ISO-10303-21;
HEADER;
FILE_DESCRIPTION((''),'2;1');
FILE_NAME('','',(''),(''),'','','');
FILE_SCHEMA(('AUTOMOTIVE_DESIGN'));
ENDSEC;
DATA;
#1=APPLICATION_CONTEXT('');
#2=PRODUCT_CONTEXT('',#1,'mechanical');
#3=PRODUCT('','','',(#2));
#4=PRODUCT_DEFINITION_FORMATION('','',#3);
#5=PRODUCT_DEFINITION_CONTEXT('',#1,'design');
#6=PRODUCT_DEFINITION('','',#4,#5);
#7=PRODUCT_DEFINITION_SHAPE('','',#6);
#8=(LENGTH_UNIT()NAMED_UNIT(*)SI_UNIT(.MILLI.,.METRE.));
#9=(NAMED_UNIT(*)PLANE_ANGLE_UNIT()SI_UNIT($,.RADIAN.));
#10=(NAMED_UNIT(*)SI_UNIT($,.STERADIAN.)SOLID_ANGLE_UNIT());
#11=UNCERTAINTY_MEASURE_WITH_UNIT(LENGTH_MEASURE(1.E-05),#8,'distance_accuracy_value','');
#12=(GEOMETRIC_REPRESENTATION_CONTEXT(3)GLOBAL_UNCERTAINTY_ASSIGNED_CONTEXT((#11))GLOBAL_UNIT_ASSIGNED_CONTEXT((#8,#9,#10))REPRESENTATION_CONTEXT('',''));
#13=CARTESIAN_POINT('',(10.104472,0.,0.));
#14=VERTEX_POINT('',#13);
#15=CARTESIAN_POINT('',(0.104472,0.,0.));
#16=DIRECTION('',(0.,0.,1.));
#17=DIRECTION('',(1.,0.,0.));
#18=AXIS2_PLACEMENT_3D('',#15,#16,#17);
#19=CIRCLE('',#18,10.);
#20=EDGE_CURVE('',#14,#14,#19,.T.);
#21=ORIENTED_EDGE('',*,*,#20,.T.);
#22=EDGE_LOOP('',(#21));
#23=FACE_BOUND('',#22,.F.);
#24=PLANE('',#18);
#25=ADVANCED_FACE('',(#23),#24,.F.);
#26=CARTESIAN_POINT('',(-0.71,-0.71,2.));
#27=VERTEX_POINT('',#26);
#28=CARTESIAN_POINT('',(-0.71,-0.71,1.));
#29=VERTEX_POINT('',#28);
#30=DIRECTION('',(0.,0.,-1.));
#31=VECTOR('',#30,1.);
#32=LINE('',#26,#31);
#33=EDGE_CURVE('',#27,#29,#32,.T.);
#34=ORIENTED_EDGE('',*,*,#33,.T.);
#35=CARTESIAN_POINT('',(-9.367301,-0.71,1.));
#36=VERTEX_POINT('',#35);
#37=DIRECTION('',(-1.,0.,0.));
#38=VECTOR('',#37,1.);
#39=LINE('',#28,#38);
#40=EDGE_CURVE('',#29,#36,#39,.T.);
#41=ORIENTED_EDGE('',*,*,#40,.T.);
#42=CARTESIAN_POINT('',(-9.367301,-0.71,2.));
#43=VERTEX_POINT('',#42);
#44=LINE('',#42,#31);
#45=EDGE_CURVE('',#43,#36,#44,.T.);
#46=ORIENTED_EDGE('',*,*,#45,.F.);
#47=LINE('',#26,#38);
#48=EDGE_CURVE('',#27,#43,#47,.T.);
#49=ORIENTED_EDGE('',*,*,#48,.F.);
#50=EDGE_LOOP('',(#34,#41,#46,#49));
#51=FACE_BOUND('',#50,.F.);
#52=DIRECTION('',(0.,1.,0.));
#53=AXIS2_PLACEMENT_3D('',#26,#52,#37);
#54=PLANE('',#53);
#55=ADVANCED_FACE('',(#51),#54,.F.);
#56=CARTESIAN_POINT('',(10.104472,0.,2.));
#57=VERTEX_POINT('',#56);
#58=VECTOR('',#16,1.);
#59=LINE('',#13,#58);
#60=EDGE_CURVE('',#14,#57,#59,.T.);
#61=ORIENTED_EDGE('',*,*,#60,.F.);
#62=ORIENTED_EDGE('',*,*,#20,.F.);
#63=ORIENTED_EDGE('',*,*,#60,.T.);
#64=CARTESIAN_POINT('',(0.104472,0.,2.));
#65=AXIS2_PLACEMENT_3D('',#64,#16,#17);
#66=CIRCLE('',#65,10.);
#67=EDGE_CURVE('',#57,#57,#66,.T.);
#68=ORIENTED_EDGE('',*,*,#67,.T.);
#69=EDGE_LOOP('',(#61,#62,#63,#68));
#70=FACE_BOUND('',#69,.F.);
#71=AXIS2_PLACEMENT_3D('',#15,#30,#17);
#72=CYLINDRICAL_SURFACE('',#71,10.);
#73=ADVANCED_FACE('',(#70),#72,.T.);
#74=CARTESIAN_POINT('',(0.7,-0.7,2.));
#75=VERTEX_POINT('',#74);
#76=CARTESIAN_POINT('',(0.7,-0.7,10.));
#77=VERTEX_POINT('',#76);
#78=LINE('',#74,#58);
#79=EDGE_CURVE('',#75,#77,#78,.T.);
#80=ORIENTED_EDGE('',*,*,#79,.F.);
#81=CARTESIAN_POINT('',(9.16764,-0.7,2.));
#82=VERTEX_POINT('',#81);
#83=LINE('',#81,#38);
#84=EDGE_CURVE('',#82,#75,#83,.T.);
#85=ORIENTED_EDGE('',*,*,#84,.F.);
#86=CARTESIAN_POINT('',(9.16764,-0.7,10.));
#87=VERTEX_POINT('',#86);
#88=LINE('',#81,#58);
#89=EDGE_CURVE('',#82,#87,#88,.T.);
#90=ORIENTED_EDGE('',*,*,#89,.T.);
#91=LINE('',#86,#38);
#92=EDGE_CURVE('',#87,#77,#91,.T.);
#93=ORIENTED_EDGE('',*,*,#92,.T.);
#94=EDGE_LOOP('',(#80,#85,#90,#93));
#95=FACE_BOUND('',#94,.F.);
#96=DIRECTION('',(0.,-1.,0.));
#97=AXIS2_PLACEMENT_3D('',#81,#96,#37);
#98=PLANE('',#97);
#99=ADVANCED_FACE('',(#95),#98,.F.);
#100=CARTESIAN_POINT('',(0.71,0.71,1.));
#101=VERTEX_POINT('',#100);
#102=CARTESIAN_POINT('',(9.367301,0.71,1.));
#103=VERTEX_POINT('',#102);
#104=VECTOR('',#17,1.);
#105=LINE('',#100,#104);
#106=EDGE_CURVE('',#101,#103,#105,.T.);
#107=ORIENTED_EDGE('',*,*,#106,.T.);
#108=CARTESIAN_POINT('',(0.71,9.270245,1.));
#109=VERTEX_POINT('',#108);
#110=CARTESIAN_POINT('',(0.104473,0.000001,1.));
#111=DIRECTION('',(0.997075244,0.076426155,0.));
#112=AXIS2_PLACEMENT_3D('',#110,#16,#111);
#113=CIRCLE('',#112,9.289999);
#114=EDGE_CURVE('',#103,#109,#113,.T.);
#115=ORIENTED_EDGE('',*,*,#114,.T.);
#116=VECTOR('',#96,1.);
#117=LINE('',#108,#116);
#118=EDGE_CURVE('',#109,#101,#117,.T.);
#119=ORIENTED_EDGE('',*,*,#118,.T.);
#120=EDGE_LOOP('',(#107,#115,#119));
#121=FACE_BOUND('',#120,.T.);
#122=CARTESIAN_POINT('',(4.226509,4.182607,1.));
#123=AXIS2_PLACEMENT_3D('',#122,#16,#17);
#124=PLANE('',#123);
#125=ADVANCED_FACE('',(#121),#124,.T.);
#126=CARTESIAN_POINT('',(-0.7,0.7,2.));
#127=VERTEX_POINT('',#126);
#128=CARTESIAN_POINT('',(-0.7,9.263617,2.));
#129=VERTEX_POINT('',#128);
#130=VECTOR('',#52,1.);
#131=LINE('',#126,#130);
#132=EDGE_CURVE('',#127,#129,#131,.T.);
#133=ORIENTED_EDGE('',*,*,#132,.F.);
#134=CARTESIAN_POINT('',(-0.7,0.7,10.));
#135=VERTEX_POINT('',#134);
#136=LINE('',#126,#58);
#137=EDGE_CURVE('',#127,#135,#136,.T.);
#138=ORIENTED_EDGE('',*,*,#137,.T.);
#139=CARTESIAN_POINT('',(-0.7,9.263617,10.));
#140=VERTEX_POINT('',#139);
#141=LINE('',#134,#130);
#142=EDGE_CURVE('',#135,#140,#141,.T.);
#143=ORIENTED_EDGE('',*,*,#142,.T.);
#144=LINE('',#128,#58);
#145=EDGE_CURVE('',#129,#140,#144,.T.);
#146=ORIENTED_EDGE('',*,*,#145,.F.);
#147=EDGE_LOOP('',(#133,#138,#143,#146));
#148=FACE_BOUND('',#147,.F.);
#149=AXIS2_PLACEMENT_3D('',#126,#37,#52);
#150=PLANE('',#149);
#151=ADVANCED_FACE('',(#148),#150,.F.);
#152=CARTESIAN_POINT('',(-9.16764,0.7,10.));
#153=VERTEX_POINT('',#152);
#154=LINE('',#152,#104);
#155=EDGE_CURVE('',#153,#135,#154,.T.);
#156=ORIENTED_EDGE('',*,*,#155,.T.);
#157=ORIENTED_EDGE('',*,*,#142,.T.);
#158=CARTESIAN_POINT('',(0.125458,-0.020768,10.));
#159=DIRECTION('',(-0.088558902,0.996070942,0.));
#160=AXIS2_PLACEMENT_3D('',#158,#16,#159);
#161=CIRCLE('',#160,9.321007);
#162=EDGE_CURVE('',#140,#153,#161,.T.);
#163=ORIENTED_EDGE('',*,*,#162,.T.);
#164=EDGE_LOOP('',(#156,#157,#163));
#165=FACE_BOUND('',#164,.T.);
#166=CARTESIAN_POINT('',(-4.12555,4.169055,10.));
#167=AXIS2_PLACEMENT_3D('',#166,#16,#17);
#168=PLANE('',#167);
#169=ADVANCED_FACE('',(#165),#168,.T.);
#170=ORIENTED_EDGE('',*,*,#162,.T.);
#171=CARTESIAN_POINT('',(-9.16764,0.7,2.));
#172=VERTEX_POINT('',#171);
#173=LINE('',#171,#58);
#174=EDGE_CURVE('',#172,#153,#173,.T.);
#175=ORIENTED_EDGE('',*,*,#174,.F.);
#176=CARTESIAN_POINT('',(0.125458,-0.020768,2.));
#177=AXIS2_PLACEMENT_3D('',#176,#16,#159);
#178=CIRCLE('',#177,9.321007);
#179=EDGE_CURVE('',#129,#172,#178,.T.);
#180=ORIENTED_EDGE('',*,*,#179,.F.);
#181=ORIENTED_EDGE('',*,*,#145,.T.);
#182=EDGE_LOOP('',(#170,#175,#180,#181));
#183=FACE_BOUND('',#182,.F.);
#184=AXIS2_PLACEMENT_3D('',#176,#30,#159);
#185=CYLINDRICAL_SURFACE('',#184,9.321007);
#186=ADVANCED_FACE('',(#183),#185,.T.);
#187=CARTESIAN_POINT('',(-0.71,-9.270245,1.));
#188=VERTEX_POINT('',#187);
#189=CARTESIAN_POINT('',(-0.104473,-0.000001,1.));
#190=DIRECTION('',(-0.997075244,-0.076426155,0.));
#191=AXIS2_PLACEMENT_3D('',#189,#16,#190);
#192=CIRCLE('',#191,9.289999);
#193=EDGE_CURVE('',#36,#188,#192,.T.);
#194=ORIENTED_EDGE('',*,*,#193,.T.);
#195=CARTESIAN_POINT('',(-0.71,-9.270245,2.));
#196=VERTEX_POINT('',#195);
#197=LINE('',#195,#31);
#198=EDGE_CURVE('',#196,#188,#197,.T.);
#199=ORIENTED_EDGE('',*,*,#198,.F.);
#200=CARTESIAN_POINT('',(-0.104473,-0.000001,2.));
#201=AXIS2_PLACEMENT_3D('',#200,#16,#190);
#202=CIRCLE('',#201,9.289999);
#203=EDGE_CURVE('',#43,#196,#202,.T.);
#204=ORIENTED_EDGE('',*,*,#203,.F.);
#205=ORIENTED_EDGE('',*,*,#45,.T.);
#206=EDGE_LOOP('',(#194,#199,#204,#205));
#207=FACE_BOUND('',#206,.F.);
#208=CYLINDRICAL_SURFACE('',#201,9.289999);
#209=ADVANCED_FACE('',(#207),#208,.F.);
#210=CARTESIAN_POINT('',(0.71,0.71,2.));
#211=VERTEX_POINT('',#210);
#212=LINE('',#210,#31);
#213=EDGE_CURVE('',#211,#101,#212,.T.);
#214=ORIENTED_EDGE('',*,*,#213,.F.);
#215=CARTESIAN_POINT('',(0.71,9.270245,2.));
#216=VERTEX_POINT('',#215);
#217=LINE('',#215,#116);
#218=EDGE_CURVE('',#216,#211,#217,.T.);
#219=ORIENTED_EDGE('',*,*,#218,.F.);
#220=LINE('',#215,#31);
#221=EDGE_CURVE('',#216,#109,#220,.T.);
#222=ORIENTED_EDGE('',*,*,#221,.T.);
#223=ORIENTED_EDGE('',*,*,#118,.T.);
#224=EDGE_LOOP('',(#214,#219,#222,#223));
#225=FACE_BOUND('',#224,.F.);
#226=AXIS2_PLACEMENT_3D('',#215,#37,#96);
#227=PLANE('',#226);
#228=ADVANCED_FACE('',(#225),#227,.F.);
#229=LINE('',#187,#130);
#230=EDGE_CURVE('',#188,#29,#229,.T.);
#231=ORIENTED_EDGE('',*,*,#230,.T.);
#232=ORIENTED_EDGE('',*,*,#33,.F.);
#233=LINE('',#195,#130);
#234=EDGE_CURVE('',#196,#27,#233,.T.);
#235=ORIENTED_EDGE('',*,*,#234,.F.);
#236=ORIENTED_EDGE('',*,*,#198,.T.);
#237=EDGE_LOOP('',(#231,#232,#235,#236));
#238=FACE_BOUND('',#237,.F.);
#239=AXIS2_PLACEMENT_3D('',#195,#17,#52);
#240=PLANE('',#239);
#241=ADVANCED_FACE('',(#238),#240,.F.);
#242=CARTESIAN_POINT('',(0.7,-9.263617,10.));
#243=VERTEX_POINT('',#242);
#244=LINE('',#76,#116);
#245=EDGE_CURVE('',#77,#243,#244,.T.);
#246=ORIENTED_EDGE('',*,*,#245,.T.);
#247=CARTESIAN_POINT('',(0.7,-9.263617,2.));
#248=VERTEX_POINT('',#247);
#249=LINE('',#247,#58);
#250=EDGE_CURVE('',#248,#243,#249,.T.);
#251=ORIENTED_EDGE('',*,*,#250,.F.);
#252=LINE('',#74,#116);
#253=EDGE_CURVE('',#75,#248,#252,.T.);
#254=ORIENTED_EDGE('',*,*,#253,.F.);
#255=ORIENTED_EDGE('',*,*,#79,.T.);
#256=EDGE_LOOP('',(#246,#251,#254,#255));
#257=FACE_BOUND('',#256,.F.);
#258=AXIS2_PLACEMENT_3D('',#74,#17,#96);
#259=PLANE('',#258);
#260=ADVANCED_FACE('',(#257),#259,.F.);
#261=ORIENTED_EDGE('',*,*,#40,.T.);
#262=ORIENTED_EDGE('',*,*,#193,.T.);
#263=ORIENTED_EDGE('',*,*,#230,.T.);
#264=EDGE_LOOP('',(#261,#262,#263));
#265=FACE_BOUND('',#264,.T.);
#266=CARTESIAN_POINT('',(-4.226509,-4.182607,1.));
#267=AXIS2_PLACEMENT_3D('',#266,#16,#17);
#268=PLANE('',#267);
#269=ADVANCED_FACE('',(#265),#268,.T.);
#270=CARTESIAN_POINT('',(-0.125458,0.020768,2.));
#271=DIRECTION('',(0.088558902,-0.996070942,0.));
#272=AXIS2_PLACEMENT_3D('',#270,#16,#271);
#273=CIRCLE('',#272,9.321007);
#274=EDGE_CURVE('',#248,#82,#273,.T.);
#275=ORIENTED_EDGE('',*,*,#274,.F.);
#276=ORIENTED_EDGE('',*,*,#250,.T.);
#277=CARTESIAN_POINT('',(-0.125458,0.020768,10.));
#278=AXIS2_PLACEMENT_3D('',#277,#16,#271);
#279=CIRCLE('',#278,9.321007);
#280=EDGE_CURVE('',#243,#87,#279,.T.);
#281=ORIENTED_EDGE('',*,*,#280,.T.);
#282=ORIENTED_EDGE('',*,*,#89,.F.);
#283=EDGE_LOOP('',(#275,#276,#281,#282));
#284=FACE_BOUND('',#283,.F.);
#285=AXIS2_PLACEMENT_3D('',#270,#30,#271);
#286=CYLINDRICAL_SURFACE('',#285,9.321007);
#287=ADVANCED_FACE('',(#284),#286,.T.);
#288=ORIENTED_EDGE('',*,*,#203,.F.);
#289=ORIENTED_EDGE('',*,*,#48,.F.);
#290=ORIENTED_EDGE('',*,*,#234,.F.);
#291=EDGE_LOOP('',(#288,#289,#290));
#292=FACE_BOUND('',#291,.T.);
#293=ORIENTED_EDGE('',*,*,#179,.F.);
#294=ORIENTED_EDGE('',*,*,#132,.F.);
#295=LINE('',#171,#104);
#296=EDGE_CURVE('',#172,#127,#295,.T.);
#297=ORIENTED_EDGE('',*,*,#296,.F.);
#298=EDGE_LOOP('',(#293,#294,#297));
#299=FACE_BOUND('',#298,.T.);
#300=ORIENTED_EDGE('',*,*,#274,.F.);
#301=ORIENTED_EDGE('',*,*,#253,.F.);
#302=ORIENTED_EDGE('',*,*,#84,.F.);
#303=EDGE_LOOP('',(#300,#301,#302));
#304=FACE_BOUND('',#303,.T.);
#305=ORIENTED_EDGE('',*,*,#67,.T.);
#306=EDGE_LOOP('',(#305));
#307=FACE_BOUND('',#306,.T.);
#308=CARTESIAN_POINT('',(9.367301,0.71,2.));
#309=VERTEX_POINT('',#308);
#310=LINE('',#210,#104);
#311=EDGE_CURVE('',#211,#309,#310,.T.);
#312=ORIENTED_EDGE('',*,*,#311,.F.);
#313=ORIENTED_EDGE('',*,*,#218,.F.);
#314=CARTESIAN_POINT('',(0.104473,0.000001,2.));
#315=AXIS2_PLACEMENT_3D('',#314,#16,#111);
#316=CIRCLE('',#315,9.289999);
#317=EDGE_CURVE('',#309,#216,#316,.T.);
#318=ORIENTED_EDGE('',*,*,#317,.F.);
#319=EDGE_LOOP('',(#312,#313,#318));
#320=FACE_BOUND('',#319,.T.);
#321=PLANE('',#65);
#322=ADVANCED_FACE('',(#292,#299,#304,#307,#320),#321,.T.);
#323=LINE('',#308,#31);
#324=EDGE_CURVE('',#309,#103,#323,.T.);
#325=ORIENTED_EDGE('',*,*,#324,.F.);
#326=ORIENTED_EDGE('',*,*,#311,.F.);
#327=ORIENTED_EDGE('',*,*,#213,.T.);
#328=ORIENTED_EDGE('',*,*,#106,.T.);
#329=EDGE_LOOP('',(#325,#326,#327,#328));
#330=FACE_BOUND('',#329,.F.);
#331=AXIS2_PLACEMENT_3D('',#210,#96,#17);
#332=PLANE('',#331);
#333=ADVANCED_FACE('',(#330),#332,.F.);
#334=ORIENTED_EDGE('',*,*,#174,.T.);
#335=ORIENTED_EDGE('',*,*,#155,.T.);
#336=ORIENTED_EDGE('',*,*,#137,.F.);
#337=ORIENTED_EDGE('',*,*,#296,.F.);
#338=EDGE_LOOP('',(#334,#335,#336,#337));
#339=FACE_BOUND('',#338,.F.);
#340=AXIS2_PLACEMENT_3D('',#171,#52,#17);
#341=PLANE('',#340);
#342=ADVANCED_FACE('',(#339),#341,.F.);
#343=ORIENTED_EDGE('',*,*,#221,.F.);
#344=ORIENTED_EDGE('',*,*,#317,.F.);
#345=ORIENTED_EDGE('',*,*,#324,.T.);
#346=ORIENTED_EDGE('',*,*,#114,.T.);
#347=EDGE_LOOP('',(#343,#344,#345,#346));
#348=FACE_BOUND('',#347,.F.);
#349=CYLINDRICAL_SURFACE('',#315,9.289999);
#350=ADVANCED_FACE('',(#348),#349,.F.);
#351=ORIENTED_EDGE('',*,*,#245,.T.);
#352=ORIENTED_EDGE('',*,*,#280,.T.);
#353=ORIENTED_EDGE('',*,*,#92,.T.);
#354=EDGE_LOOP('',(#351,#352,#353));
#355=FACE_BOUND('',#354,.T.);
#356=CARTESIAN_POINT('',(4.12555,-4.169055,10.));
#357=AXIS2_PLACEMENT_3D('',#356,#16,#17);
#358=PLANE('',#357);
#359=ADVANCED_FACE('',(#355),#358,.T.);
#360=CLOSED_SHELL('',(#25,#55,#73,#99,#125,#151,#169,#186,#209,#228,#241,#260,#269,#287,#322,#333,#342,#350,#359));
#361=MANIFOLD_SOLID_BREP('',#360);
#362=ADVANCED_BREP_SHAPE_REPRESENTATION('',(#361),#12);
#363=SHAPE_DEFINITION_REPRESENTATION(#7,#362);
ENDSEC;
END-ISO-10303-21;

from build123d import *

# Parameters (mm, degrees)
F0_R     = 10
F1_DEPTH = 2
F3_DEPTH = 8
F4_DEPTH = 1


with BuildPart() as f1:
    # F0 (on Top) → F1 (new body)
    with BuildSketch(Plane.XY):
        with Locations((0.104472, 0)):
            Circle(F0_R)
    extrude(amount=F1_DEPTH)

    # F2 (on face) → F3 (join)
    with BuildSketch(Plane.XY.offset(2)):
        with BuildLine():
            Line((0.7, -0.7), (0.7, -9.263617))
            ThreePointArc((0.7, -9.263617), (6.502526, -6.532934), (9.16764, -0.7))
            Line((9.16764, -0.7), (0.7, -0.7))
        make_face()
        with BuildLine():
            Line((-0.7, 0.7), (-0.7, 9.263617))
            ThreePointArc((-0.7, 9.263617), (-6.502526, 6.532934), (-9.16764, 0.7))
            Line((-9.16764, 0.7), (-0.7, 0.7))
        make_face()
    extrude(amount=F3_DEPTH)

    # F2 (on face) → F4 (cut)
    with BuildSketch(Plane.XY.offset(2)):
        with BuildLine():
            Line((0.71, 0.71), (9.367301, 0.71))
            ThreePointArc((9.367301, 0.71), (6.636361, 6.605947), (0.71, 9.270245))
            Line((0.71, 9.270245), (0.71, 0.71))
        make_face()
        with BuildLine():
            Line((-0.71, -0.71), (-9.367301, -0.71))
            ThreePointArc((-9.367301, -0.71), (-6.636361, -6.605947), (-0.71, -9.270245))
            Line((-0.71, -9.270245), (-0.71, -0.71))
        make_face()
    extrude(amount=-F4_DEPTH, mode=Mode.SUBTRACT)


solid = f1.part
